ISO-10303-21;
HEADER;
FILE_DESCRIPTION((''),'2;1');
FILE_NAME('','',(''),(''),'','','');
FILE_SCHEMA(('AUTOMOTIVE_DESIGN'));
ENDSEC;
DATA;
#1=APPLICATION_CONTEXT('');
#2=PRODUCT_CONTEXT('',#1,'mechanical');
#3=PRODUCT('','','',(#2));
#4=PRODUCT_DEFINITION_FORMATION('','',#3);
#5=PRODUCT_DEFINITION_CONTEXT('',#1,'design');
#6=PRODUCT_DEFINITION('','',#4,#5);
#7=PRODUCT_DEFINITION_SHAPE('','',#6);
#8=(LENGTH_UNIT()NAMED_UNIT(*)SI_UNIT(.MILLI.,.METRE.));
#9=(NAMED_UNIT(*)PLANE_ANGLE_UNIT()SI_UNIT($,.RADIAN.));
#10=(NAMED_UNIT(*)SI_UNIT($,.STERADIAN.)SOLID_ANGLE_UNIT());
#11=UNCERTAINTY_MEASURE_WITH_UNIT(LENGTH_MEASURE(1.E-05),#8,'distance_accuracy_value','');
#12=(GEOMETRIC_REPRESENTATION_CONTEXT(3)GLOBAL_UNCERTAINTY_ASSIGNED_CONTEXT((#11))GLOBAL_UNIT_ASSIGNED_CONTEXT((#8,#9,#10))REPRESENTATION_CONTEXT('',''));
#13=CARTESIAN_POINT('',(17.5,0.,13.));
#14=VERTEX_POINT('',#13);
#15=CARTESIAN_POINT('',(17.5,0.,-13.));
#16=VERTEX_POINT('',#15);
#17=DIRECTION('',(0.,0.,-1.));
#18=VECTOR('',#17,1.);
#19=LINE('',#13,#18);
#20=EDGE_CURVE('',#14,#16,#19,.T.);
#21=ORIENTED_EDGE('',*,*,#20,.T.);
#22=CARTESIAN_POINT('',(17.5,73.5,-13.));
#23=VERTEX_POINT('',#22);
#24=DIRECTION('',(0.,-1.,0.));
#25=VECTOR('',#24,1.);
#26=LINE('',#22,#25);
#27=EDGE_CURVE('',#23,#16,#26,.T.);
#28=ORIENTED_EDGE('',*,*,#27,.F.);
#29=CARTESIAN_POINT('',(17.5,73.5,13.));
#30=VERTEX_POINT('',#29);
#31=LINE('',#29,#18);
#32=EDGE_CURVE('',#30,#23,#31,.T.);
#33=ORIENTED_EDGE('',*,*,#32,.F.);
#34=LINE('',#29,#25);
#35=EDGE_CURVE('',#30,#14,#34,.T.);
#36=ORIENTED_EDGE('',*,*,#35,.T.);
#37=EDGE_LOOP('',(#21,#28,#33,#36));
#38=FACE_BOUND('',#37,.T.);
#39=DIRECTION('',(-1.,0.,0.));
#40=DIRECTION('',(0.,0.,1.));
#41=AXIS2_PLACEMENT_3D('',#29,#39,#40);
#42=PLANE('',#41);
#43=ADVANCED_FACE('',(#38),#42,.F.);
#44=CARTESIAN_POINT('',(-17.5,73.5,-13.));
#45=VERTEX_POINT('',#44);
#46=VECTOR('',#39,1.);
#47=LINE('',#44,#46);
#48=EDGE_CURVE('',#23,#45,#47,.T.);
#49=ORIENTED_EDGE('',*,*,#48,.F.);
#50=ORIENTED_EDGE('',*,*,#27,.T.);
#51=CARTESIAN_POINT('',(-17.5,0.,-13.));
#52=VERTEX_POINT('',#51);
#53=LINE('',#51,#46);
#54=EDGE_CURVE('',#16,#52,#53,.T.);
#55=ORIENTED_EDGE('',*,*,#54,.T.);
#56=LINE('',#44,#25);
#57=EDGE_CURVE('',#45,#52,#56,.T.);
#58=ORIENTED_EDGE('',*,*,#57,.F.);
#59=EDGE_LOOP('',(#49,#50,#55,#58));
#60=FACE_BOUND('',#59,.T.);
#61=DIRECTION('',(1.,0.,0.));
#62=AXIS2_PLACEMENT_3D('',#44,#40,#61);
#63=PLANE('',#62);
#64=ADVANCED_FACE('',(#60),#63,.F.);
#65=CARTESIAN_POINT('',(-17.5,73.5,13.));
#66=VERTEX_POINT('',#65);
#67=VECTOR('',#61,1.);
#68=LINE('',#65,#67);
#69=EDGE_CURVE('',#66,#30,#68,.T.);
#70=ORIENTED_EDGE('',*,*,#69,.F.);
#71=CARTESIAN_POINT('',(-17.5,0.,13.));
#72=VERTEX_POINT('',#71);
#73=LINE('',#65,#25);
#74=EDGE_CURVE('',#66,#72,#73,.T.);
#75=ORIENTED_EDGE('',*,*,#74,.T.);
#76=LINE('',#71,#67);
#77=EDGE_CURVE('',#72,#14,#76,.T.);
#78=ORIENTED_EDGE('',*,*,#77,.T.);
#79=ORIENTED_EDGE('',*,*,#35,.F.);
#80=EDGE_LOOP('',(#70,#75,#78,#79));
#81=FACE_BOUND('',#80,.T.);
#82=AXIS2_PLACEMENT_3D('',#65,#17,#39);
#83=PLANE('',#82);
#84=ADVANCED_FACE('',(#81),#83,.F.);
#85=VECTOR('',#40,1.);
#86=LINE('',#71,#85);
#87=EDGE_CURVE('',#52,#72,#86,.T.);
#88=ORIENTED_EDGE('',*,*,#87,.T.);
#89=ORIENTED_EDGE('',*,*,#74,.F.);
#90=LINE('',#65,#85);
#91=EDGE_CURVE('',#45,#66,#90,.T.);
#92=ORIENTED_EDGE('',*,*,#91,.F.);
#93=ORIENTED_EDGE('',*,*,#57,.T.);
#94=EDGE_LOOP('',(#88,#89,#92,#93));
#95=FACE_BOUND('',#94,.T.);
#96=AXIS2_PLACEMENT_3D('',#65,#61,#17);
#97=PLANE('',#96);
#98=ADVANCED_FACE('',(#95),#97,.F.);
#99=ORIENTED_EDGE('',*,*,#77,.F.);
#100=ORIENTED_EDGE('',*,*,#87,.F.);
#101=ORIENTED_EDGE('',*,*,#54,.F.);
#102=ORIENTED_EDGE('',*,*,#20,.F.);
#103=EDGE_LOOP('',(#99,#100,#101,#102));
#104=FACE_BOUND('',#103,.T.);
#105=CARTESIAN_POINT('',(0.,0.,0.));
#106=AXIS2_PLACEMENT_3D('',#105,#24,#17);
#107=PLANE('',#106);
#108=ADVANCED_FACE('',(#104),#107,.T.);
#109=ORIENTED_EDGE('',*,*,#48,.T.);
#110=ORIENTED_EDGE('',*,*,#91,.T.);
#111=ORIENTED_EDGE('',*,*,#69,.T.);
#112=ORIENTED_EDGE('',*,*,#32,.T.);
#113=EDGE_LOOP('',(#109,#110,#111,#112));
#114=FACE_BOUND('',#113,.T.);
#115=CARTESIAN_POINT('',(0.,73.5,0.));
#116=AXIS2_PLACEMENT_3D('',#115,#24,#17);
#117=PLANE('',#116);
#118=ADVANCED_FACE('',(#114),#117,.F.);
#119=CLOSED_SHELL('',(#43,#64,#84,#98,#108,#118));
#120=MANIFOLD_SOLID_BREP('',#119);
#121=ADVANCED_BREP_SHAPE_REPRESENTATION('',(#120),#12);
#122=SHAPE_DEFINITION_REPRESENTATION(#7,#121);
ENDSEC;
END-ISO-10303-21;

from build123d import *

# Parameters (mm, degrees)
CROQUIS1_W              = 35
CROQUIS1_H              = 26
SALIENTE_EXTRUIR1_DEPTH = 73.5


with BuildPart() as part:
    # Croquis1 → Saliente-Extruir1 (new body)
    with BuildSketch(Plane(origin=(0, 0, 0), x_dir=(1, 0, 0), z_dir=(0, 1, 0))):
        Rectangle(CROQUIS1_W, CROQUIS1_H)
    extrude(amount=SALIENTE_EXTRUIR1_DEPTH)


solid = part.part
